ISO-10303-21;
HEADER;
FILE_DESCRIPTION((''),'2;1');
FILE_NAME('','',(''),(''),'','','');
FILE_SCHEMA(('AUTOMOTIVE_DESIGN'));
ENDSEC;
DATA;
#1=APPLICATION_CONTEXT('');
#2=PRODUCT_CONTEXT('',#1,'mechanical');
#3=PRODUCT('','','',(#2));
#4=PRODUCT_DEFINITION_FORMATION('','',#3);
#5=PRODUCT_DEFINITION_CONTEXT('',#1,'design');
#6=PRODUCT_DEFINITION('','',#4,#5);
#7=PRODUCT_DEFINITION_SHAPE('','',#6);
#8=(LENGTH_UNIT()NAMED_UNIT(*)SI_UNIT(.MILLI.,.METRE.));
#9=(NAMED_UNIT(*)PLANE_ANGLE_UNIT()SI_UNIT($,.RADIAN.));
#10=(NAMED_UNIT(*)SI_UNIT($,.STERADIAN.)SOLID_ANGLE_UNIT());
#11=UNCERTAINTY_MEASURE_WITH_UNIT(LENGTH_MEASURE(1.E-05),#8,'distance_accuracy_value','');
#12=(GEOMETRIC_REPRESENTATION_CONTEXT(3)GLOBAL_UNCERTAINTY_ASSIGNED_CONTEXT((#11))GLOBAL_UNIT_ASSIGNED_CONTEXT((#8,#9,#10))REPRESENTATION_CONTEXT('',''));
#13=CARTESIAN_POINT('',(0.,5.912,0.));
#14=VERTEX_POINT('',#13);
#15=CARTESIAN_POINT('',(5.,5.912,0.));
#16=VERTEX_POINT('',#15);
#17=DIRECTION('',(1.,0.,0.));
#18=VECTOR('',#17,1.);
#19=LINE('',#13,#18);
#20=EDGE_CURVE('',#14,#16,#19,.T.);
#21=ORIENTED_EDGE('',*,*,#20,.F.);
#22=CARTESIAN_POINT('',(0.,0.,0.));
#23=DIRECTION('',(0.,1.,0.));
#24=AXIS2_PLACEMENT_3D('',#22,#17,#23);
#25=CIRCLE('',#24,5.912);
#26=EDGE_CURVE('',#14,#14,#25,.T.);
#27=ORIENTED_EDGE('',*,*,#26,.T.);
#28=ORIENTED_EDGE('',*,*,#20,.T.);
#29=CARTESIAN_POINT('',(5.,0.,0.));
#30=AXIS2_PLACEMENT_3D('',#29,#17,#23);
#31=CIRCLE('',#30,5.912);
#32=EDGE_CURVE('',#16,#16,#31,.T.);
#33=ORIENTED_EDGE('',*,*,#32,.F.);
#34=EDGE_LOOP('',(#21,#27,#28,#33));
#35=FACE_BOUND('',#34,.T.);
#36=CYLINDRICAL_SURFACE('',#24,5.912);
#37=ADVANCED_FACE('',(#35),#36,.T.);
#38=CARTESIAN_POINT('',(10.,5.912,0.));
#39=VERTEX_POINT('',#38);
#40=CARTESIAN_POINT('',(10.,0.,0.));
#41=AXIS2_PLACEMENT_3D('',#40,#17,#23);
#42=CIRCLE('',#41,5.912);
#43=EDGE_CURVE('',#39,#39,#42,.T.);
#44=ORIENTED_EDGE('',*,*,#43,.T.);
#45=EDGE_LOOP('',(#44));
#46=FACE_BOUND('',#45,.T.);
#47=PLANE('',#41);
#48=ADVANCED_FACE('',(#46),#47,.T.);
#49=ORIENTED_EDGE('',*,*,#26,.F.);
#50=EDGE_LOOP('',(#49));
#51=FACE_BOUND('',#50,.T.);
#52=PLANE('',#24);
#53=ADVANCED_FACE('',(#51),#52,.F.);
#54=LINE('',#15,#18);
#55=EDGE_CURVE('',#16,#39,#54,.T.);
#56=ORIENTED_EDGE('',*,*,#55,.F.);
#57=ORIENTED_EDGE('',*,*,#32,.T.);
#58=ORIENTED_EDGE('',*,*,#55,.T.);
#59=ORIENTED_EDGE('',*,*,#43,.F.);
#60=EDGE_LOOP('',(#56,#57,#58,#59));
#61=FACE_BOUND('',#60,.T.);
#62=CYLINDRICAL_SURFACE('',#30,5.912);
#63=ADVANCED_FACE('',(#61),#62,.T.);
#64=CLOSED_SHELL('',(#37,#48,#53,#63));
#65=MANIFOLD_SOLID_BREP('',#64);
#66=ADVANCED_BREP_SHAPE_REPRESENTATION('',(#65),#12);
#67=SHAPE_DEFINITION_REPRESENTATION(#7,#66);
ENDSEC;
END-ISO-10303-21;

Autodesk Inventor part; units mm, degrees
ref_plane "Start Plane" through (0, 0, 0) normal (1, 0, 0) x (0, 1, 0)
ref_plane "XZ Plane" through (0, 0, 0) normal (0, 1, 0) x (-1, 0, 0)
ref_plane "XY Plane" through (0, 0, 0) normal (0, 0, 1) x (1, 0, 0)
sketch "Main Sketch" plane through (0, 0, 0) normal (0, 0, 1) x (1, 0, 0)
  line L0 (0, 0) -> (10, 0)
  line L1 (0, 0) -> (0, 5.912)
  line L2 (0, 5.912) -> (5, 5.912)
  line L3 (10, 5.912) -> (10, 0)
  line L4 (5, 5.912) -> (10, 5.912)
  dimension "d3" = 11.824
  dimension "d4" = 11.824
revolve "Revolution1" add sketch "Main Sketch" angle 360 about axis through (0, 0, 0) along (1, 0, 0)
properties part number "Shaft" material "Steel"
